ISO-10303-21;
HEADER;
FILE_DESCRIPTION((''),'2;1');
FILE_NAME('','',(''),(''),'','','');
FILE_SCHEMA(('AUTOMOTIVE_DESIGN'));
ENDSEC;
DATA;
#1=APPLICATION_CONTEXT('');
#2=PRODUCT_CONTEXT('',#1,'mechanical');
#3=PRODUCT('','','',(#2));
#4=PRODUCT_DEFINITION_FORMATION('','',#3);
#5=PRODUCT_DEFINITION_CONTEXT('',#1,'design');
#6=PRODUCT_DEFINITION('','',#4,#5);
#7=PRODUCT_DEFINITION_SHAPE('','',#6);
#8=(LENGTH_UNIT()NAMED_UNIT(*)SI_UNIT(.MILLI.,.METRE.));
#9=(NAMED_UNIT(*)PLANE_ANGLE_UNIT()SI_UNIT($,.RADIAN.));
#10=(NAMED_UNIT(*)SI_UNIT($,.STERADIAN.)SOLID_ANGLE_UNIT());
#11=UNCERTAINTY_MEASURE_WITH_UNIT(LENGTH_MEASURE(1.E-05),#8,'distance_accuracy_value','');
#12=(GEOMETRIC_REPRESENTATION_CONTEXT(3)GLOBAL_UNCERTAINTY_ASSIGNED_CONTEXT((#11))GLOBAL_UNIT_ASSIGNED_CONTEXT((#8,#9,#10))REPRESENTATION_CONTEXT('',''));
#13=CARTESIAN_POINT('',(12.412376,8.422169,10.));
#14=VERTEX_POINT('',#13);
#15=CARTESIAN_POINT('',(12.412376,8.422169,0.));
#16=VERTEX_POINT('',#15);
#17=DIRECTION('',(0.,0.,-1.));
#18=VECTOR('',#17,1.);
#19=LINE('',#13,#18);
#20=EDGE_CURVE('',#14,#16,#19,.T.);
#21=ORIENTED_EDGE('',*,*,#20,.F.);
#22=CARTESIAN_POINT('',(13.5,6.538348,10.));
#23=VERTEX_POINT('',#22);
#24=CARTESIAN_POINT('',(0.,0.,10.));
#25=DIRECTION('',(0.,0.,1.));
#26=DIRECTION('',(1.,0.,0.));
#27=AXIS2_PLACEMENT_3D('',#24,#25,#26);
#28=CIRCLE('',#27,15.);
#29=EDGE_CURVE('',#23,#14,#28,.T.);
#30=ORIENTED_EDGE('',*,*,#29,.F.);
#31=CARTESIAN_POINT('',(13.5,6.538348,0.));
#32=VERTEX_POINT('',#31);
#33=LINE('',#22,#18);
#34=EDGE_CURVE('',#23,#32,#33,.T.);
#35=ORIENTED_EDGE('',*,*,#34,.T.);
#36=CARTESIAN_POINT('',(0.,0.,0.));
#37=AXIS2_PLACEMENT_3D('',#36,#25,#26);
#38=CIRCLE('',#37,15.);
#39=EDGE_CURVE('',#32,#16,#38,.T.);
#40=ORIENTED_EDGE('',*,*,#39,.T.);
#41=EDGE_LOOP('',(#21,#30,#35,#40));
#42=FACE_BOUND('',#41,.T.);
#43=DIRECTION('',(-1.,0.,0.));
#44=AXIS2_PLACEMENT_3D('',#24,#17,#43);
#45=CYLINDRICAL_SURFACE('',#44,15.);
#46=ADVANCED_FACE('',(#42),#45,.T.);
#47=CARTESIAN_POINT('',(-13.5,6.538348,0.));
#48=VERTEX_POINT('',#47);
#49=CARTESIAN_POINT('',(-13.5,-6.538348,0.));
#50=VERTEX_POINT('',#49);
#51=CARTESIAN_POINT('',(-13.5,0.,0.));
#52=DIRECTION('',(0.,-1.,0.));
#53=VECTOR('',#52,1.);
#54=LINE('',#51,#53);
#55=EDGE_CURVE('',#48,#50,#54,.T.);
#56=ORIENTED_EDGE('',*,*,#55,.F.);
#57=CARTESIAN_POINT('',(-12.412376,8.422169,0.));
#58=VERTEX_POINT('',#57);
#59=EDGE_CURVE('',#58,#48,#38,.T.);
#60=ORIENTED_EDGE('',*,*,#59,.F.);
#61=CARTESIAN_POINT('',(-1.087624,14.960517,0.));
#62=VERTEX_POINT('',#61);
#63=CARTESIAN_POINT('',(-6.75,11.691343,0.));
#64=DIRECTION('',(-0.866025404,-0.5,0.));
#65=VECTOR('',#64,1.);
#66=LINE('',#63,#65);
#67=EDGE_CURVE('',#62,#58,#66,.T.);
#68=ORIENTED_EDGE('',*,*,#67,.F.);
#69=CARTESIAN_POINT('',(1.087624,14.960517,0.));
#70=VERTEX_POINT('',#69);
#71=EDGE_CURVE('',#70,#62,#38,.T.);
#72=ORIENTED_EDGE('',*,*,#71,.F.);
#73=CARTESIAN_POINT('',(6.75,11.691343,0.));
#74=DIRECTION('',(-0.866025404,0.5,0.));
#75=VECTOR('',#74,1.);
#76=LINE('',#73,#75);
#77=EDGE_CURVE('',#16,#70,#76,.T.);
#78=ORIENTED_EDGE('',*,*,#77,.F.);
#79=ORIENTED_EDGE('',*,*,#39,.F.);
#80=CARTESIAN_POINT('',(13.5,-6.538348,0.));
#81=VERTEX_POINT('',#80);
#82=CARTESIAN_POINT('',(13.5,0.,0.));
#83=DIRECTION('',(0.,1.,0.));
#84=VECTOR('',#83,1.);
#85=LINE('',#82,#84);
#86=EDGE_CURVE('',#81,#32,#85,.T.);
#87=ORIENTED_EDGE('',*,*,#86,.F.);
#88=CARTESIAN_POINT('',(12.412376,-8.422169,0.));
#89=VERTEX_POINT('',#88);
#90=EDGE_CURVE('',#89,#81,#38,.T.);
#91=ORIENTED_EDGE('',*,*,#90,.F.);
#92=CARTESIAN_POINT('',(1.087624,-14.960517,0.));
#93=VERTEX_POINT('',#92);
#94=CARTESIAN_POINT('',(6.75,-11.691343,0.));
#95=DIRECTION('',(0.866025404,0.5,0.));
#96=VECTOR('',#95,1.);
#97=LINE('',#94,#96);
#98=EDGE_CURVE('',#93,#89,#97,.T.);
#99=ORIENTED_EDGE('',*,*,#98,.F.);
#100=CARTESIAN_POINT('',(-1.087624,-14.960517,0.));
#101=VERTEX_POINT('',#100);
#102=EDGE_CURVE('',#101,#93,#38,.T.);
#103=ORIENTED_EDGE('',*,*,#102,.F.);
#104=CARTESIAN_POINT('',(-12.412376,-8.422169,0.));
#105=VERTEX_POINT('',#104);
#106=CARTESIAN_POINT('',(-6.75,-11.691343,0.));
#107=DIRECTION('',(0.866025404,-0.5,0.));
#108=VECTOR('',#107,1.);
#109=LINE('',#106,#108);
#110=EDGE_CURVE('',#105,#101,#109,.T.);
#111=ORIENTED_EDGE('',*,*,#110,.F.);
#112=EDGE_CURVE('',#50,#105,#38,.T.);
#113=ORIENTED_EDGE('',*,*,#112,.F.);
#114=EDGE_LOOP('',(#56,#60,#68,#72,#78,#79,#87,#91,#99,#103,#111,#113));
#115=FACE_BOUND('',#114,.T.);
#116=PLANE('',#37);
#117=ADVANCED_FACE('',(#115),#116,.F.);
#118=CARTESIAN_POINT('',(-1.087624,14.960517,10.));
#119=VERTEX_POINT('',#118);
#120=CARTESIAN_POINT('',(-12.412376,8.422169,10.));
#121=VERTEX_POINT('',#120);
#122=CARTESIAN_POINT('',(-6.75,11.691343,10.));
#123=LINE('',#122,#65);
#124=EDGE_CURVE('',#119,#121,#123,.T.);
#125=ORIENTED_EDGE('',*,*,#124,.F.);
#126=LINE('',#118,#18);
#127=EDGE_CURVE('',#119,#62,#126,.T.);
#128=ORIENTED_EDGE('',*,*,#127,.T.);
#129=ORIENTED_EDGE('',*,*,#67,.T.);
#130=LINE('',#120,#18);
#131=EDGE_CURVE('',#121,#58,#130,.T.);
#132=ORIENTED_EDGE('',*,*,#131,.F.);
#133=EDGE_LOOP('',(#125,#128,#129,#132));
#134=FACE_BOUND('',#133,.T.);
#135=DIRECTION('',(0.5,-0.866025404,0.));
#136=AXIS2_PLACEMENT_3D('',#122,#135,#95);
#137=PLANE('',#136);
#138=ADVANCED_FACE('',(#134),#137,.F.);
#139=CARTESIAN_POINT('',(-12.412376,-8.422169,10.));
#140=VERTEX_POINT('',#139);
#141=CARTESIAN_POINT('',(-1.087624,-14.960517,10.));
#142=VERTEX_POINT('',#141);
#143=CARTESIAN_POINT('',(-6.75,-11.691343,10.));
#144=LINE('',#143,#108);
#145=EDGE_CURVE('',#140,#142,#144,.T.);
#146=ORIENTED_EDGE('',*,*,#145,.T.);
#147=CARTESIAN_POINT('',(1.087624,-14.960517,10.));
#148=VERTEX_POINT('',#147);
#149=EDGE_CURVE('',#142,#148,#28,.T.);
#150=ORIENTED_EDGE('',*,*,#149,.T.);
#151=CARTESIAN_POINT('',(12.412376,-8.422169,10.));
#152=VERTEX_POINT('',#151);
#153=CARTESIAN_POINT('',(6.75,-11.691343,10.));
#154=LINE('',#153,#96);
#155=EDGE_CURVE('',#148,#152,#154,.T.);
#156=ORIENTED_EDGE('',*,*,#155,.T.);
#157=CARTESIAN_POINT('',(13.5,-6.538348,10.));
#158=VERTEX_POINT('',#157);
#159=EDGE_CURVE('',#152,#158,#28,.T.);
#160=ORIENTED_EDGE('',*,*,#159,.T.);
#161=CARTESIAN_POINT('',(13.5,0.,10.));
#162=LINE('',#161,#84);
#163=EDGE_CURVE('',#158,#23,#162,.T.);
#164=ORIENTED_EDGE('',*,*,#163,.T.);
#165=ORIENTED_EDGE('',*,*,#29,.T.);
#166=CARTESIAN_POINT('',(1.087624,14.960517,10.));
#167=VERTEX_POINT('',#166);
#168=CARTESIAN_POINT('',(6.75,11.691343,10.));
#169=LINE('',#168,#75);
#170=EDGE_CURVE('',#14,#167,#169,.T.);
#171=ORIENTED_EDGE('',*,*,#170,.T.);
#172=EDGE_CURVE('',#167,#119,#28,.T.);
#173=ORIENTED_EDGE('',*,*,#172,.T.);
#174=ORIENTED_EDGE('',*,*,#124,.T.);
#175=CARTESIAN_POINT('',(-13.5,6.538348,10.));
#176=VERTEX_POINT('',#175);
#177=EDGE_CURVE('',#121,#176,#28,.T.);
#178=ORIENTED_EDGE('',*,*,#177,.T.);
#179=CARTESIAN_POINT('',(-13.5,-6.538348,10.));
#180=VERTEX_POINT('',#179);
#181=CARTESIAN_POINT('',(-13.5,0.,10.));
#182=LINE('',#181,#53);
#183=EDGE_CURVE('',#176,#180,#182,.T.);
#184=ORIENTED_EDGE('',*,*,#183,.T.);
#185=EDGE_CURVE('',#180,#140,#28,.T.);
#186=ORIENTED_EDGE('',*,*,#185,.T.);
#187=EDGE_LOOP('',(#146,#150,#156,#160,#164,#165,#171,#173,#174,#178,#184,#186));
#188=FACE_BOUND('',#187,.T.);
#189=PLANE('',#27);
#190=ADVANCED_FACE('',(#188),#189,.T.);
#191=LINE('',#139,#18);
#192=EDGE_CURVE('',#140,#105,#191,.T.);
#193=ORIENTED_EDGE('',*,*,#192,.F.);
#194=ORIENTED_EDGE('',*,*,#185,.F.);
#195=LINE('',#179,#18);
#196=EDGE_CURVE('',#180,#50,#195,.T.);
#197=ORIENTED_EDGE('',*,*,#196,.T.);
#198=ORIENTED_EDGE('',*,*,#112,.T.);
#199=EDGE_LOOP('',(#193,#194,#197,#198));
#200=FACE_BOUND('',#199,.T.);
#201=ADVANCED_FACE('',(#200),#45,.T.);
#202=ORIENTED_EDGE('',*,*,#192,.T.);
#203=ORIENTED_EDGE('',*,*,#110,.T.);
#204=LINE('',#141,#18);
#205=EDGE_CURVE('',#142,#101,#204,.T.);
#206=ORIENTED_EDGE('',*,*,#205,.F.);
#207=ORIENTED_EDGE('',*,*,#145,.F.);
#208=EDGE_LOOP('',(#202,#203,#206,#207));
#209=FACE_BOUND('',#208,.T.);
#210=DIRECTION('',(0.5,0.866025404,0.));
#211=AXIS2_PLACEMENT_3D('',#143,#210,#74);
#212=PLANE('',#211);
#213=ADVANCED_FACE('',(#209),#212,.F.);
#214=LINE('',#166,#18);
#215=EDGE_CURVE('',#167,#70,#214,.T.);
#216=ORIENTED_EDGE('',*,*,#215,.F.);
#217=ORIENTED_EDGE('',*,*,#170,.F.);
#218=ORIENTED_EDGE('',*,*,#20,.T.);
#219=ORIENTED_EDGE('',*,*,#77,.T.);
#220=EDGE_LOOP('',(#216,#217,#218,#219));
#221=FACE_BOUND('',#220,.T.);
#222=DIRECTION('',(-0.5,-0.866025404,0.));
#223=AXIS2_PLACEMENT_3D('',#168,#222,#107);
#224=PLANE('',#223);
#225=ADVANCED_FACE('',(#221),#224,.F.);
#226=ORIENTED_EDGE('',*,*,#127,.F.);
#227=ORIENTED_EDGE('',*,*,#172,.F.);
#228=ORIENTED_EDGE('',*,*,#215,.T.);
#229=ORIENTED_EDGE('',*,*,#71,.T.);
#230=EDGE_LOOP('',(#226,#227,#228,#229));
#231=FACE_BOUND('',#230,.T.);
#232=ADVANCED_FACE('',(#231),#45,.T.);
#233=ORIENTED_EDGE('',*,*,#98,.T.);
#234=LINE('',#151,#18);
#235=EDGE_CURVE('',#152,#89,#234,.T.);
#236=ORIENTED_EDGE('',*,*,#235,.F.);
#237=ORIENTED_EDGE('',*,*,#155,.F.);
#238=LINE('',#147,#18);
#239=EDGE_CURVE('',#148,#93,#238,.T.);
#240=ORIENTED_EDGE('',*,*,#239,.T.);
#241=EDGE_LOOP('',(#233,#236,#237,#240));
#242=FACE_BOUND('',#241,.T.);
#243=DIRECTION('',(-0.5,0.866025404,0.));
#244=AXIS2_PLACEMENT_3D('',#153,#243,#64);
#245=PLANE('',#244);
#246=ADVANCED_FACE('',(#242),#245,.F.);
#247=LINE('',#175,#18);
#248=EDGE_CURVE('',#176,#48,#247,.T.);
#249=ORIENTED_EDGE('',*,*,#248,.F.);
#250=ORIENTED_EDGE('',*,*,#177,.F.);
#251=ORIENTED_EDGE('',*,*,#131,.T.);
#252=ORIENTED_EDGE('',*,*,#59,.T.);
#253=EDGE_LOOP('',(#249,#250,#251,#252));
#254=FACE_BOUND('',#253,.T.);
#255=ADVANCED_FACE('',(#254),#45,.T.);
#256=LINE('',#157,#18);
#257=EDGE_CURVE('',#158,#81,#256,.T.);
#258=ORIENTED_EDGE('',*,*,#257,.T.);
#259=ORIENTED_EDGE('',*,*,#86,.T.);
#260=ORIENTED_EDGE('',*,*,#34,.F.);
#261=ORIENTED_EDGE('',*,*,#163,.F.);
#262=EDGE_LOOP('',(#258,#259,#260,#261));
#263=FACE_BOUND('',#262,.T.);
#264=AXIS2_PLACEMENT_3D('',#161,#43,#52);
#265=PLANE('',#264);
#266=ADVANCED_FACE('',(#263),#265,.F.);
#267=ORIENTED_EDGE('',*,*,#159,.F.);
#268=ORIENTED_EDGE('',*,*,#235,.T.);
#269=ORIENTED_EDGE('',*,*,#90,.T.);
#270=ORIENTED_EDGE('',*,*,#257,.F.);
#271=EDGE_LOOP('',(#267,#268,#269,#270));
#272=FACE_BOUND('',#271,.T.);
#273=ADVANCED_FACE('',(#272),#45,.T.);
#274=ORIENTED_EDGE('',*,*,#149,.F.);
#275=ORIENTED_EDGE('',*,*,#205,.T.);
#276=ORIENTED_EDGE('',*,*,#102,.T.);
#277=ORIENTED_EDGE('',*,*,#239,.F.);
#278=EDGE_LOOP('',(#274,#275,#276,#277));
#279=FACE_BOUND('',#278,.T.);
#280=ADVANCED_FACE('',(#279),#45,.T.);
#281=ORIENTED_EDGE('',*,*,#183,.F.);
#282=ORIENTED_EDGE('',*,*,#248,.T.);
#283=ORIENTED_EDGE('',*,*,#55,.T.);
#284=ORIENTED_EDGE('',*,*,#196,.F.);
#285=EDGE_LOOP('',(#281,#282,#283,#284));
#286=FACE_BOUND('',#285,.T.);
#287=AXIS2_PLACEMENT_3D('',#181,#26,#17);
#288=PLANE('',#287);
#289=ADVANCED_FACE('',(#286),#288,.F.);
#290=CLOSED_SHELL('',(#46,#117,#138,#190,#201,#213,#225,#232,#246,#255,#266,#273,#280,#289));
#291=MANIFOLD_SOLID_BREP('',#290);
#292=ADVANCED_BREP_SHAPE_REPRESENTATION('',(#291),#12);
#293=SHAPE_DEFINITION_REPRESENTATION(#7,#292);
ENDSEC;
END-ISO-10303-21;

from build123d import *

# Parameters (mm, degrees)
EXTRUDE_1_DEPTH = 10


with BuildPart() as part:
    # Эскиз1 → Бобышка-Вытянуть1 (new body)
    with BuildSketch(Plane.XY):
        with BuildLine():
            ThreePointArc((1.087624174, 14.960517159), (0, 15), (-1.087624174, 14.960517159))
            Line((-1.087624174, 14.960517159), (-12.412375826, 8.422168743))
            ThreePointArc((-12.412375826, 8.422168743), (-12.990381057, 7.5), (-13.5, 6.538348415))
            Line((-13.5, 6.538348415), (-13.5, -6.538348415))
            ThreePointArc((-13.5, -6.538348415), (-12.990381057, -7.5), (-12.412375826, -8.422168743))
            Line((-12.412375826, -8.422168743), (-1.087624174, -14.960517159))
            ThreePointArc((-1.087624174, -14.960517159), (0, -15), (1.087624174, -14.960517159))
            Line((1.087624174, -14.960517159), (12.412375826, -8.422168743))
            ThreePointArc((12.412375826, -8.422168743), (12.990381057, -7.5), (13.5, -6.538348415))
            Line((13.5, -6.538348415), (13.5, 6.538348415))
            ThreePointArc((13.5, 6.538348415), (12.990381057, 7.5), (12.412375826, 8.422168743))
            Line((12.412375826, 8.422168743), (1.087624174, 14.960517159))
        make_face()
    extrude(amount=EXTRUDE_1_DEPTH)


solid = part.part
